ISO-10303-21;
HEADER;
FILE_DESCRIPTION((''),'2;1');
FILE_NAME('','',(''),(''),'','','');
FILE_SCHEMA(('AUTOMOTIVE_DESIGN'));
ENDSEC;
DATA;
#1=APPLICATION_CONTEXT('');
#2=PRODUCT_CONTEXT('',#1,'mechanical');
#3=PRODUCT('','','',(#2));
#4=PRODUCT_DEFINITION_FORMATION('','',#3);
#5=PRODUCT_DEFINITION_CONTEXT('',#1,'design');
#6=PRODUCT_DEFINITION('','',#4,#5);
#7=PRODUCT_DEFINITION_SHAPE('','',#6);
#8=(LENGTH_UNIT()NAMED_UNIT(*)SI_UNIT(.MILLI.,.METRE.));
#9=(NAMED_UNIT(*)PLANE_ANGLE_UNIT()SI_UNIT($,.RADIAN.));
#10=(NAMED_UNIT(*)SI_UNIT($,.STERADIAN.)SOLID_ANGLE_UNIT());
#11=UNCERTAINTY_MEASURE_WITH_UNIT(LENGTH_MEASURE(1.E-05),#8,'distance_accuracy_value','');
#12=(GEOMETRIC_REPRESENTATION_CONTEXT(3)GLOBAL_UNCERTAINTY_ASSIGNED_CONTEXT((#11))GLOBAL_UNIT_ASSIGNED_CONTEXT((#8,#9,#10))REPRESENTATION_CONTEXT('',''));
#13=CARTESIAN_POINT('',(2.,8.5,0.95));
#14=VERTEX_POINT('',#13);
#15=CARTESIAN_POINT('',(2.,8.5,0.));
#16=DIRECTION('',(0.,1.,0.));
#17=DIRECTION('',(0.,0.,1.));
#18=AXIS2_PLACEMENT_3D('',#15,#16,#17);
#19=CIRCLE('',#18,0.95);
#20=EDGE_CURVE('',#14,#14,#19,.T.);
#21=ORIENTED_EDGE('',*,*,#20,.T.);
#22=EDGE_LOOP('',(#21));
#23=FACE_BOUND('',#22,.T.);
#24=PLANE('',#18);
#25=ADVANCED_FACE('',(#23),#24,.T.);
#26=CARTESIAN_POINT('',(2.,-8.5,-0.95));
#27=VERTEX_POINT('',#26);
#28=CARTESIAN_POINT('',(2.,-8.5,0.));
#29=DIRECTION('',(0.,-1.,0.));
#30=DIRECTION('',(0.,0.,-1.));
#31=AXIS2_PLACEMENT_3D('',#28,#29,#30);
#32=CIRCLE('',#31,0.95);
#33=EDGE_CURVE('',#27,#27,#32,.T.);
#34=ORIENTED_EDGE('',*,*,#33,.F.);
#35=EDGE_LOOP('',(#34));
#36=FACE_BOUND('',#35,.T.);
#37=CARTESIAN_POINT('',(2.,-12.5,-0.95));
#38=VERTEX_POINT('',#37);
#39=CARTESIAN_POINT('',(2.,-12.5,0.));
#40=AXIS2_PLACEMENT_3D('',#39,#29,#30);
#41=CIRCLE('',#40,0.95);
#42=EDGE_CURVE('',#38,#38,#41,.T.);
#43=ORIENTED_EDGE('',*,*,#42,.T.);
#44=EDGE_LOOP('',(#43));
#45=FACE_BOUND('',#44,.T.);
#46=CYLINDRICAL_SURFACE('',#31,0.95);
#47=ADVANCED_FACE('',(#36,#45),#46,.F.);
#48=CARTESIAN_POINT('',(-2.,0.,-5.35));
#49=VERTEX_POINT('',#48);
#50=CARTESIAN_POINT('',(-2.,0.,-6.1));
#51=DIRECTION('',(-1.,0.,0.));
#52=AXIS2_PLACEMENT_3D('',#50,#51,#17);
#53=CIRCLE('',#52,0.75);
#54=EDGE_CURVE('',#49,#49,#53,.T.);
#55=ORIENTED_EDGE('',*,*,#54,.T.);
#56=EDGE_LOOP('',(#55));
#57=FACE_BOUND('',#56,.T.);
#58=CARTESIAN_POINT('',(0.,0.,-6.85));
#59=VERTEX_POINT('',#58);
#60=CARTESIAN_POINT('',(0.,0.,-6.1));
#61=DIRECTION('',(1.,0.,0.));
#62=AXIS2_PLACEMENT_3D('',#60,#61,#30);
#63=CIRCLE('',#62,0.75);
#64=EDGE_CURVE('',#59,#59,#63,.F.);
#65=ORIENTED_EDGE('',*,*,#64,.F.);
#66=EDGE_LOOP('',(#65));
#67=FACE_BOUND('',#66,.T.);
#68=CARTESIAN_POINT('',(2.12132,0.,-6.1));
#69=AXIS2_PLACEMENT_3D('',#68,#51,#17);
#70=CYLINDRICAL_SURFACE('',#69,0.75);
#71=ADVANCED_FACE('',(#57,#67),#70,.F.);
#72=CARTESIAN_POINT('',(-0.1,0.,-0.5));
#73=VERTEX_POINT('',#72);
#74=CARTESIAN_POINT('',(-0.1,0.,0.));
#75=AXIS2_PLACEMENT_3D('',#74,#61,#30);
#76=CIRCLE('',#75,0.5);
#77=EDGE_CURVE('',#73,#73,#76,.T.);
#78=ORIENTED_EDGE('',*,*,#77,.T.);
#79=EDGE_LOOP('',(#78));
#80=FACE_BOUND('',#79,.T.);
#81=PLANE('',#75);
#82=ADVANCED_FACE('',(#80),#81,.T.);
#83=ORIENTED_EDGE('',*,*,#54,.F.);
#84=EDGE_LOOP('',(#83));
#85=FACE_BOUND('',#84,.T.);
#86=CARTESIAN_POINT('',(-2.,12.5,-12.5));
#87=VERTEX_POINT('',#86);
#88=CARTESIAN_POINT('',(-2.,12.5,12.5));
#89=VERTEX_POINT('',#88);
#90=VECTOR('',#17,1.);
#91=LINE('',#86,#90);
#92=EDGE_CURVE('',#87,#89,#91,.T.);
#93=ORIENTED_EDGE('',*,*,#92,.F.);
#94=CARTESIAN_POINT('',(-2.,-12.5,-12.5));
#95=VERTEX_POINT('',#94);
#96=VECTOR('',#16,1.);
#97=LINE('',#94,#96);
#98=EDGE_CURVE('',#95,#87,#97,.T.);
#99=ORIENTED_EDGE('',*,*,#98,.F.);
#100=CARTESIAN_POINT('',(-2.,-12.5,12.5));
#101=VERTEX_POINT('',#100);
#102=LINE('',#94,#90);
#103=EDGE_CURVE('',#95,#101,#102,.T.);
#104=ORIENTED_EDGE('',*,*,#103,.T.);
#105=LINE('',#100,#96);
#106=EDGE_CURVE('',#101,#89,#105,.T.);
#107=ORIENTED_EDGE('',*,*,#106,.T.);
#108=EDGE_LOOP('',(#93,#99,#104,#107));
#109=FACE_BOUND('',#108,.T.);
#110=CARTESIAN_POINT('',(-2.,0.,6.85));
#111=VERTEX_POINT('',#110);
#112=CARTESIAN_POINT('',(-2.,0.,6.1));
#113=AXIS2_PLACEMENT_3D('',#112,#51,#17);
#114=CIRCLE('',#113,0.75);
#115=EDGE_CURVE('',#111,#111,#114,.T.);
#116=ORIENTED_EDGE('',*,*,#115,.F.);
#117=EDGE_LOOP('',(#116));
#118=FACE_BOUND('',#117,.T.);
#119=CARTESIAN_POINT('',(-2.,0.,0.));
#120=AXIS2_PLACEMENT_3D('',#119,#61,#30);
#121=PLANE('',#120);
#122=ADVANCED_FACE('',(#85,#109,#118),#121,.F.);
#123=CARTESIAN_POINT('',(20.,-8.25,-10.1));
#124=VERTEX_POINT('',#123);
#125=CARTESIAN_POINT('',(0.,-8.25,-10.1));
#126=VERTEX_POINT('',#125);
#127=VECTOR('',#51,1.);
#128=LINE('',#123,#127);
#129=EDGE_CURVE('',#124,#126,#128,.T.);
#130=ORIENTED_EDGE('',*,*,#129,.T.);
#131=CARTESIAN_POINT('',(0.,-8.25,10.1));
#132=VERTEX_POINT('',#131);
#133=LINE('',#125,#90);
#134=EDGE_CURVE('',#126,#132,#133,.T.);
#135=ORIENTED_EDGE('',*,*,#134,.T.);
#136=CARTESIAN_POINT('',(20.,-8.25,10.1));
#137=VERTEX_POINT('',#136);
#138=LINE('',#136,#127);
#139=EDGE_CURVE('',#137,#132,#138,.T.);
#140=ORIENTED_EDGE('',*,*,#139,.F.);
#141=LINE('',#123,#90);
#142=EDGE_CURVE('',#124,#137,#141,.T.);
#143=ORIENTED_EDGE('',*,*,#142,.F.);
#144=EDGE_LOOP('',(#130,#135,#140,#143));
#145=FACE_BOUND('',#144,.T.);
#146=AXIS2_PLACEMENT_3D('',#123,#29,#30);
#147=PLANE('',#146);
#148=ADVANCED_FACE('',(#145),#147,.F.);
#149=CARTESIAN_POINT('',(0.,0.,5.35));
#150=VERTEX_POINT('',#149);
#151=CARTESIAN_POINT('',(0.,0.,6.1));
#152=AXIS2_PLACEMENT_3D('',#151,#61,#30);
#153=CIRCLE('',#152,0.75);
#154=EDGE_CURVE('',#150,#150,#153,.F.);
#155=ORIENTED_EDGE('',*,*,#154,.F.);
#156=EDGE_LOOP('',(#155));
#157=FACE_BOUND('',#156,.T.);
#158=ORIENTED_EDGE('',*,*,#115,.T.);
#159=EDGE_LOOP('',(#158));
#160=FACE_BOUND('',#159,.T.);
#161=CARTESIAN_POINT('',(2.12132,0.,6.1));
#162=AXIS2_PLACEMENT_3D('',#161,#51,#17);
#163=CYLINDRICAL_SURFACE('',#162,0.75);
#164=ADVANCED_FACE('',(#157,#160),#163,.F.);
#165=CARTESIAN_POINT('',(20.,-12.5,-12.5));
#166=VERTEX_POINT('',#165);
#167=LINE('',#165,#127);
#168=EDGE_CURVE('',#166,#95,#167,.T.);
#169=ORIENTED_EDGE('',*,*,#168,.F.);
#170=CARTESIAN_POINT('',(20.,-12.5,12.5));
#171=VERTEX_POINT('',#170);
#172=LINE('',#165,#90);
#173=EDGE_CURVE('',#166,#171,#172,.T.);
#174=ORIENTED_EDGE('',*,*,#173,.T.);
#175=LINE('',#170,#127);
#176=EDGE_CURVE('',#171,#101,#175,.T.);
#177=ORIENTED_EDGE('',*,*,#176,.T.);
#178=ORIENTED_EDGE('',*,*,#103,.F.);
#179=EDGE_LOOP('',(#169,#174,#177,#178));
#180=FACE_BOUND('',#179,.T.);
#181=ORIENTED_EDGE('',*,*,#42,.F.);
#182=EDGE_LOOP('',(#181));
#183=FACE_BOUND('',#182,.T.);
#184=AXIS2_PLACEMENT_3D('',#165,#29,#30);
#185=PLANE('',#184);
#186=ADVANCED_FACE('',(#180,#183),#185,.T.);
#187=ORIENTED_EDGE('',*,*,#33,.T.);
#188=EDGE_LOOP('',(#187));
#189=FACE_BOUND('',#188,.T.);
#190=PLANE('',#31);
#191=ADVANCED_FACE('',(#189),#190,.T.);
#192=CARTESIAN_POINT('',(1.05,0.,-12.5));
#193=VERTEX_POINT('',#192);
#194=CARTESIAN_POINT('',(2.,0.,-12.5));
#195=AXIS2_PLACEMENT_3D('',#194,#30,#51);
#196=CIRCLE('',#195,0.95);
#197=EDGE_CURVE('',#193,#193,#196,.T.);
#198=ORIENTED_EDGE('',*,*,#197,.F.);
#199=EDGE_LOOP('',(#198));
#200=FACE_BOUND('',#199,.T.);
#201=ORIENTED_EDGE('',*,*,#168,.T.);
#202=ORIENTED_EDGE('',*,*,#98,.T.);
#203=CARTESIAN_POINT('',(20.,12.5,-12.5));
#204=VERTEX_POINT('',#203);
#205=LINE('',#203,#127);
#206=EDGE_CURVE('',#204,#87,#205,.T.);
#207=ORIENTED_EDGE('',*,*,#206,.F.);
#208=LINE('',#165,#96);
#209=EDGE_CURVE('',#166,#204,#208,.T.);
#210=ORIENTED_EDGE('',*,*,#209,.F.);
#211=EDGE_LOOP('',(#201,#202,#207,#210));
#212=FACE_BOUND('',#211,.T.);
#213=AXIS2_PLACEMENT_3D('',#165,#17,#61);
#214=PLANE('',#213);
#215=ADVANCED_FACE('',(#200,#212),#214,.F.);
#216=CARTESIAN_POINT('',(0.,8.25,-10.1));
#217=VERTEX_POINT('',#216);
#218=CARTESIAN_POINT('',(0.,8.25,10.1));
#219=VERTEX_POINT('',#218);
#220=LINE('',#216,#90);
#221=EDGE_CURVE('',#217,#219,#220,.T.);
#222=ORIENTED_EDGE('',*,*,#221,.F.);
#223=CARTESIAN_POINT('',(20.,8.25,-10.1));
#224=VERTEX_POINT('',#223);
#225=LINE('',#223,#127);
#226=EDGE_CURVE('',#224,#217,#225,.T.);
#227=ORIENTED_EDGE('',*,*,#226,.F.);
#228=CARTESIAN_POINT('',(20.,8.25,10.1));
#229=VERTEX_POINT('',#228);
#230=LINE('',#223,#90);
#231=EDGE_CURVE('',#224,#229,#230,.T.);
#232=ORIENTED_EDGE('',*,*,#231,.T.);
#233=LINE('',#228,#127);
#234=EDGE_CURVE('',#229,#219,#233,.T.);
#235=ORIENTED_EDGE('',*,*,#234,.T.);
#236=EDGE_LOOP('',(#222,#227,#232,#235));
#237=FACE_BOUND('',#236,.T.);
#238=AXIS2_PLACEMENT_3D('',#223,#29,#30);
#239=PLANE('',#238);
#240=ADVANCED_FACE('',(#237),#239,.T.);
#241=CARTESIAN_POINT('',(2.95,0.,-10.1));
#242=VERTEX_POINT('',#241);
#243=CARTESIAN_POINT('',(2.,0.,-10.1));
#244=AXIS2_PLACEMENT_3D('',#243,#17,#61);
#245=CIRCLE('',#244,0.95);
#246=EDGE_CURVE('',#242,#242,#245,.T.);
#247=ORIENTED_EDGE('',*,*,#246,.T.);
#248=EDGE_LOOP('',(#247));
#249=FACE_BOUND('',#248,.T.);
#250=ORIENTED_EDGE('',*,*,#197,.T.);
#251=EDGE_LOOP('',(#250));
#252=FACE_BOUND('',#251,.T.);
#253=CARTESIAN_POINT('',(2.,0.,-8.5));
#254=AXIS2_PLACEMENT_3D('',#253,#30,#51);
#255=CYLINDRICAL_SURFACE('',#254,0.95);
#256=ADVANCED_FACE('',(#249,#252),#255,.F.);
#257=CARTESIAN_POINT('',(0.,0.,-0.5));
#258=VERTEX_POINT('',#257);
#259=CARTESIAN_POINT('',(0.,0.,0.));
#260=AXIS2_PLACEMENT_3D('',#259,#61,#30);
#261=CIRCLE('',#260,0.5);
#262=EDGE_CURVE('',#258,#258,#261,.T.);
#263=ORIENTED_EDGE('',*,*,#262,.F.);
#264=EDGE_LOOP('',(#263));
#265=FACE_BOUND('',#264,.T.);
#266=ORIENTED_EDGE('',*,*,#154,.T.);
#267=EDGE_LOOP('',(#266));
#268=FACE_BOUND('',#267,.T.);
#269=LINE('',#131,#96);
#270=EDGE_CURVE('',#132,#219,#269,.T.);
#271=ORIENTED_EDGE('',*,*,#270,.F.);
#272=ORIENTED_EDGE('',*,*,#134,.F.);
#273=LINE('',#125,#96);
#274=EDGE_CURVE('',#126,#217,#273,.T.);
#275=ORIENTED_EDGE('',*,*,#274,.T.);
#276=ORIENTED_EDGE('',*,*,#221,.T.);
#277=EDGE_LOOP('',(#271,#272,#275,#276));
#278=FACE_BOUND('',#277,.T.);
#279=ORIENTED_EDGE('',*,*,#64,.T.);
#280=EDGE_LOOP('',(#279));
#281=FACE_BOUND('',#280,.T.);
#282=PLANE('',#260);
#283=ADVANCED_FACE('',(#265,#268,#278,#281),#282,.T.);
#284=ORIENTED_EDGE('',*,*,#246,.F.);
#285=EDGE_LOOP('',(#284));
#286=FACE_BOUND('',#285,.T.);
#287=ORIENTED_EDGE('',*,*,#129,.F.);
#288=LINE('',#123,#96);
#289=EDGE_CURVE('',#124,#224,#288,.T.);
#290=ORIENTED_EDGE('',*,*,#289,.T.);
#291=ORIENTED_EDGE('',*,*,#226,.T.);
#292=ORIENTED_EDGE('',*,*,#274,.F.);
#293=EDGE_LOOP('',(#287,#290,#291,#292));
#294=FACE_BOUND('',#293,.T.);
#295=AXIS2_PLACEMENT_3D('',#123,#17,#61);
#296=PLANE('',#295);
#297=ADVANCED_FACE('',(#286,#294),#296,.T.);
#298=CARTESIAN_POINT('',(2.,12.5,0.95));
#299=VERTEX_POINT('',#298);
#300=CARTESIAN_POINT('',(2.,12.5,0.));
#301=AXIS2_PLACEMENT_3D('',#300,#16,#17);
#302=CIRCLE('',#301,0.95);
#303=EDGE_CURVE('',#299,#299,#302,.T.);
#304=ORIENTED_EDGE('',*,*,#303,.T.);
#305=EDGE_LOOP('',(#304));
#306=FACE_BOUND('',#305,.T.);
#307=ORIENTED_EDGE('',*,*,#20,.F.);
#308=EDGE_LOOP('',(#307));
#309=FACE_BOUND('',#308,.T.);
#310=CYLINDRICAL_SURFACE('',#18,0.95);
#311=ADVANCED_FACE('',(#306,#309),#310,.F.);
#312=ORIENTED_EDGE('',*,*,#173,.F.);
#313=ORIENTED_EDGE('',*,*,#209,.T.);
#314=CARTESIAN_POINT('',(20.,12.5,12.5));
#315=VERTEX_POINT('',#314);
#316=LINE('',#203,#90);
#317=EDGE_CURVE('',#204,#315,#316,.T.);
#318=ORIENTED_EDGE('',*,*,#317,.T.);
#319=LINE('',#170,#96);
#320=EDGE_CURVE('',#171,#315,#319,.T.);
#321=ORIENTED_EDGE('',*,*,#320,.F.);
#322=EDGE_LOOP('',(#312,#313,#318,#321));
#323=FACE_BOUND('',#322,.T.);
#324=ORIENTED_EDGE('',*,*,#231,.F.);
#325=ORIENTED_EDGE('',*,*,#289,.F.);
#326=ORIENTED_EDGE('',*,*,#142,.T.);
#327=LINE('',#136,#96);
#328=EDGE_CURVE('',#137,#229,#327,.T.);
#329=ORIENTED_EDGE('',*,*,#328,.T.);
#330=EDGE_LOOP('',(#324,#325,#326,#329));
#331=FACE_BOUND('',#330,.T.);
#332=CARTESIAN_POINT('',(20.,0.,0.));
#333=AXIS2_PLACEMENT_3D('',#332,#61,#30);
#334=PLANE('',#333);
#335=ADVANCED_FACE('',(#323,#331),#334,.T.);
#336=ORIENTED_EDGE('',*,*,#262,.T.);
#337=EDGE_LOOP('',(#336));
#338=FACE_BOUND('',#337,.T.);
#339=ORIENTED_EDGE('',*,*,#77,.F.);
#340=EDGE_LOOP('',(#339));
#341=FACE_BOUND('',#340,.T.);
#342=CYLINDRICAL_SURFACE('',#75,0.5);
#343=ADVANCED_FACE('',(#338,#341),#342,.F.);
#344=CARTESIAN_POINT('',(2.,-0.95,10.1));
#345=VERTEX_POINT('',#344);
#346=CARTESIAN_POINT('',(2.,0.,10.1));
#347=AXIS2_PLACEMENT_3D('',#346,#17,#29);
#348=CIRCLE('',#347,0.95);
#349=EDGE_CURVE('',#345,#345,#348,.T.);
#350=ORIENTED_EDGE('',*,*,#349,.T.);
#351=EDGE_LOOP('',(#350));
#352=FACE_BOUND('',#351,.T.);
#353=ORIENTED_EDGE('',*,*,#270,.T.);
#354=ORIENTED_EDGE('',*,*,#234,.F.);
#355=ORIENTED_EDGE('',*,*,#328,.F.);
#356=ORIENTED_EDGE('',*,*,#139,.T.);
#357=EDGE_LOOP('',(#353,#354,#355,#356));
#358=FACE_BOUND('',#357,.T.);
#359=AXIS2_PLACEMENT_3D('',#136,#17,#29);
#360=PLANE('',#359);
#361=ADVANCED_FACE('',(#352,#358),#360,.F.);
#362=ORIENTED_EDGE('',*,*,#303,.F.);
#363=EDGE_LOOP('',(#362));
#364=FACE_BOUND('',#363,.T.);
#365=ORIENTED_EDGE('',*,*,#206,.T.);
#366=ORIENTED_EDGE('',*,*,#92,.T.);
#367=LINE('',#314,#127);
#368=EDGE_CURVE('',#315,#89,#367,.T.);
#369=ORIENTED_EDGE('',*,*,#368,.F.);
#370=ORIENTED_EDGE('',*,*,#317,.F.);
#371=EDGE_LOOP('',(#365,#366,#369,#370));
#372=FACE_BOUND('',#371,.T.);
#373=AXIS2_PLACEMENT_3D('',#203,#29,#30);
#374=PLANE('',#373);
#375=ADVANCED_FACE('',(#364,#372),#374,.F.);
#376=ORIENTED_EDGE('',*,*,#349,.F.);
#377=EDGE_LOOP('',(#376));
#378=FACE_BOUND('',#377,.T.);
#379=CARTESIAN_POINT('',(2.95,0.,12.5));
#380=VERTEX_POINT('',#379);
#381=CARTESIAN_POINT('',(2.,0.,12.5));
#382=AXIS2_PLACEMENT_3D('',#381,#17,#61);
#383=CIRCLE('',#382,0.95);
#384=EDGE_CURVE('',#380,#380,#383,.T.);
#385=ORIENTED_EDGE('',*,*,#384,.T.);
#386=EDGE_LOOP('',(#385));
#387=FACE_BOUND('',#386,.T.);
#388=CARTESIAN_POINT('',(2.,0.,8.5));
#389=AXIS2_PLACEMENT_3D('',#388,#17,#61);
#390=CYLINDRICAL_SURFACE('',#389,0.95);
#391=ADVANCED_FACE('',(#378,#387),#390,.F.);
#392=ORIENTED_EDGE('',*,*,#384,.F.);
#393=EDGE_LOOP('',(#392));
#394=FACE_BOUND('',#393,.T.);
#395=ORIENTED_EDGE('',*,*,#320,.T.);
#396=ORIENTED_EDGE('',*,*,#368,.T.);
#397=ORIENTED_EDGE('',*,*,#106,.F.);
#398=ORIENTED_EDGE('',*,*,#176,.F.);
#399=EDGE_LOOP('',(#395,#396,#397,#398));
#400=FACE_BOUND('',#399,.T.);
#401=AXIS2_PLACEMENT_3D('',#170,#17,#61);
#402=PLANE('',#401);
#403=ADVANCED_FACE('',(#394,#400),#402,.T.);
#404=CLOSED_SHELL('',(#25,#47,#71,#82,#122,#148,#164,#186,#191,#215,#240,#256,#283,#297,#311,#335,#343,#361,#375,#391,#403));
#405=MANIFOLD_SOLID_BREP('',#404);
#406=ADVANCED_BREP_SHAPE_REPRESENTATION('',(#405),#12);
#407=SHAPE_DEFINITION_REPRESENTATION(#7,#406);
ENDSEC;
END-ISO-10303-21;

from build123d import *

# Parameters (mm, degrees)
SKETCH_1_W          = 25
SKETCH_1_H          = 25
SKETCH_1_W_2        = 20.2
SKETCH_1_H_2        = 16.5
EXTRUDE_1_DEPTH     = 20
SKETCH_1_3_W        = 25
SKETCH_1_3_H        = 25
EXTRUDE_3_DEPTH     = 2
SKETCH_1_5_R        = 0.5
CUT_EXTRUDE_1_DEPTH = 0.1
SKETCH_2_R          = 0.95
CUT_EXTRUDE_2_DEPTH = 4
SKETCH_3_R          = 0.95
CUT_EXTRUDE_3_DEPTH = 4
CUT_EXTRUDE_START   = -4
SKETCH_4_R          = 0.95
CUT_EXTRUDE_4_DEPTH = 4
SKETCH_5_R          = 0.95
CUT_EXTRUDE_5_DEPTH = 4
SKETCH_6_R          = 0.75
CUT_EXTRUDE_6_DEPTH = 2


with BuildPart() as part:
    # 草图1 → 凸台-拉伸1 (new body)
    with BuildSketch(Plane(origin=(0, 0, 0), x_dir=(0, 0, -1), z_dir=(1, 0, 0))):
        Rectangle(SKETCH_1_W, SKETCH_1_H)
        Rectangle(SKETCH_1_W_2, SKETCH_1_H_2, mode=Mode.SUBTRACT)
    extrude(amount=EXTRUDE_1_DEPTH)

    # 草图1<3> → 凸台-拉伸3 (add)
    with BuildSketch(Plane(origin=(0, 0, 0), x_dir=(0, 0, -1), z_dir=(1, 0, 0))):
        Rectangle(SKETCH_1_3_W, SKETCH_1_3_H)
    extrude(amount=-EXTRUDE_3_DEPTH)

    # 草图1<5> → 切除-拉伸1 (cut)
    with BuildSketch(Plane(origin=(0, 0, 0), x_dir=(0, 0, -1), z_dir=(1, 0, 0))):
        Circle(SKETCH_1_5_R)
    extrude(amount=-CUT_EXTRUDE_1_DEPTH, mode=Mode.SUBTRACT)

    # 草图2 → 切除-拉伸2 (cut)
    with BuildSketch(Plane.XZ.offset(12.5)):
        with Locations(Location((2, 0, 0), (0, 0, 270))):
            Circle(SKETCH_2_R)
    extrude(amount=-CUT_EXTRUDE_2_DEPTH, mode=Mode.SUBTRACT)

    # 草图3 → 切除-拉伸3 (cut)
    with BuildSketch(Plane(origin=(0, 0, -12.5), x_dir=(-1, 0, 0), z_dir=(0, 0, -1))):
        with Locations((-2, 0)):
            Circle(SKETCH_3_R)
    extrude(amount=-CUT_EXTRUDE_3_DEPTH, mode=Mode.SUBTRACT)

    # 草图4 → 切除-拉伸4 (cut)
    with BuildSketch(Plane(origin=(0, 12.5, 0), x_dir=(1, 0, 0), z_dir=(0, 1, 0)).offset(CUT_EXTRUDE_START)):
        with Locations(Location((2, 0, 0), (0, 0, 90))):
            Circle(SKETCH_4_R)
    extrude(amount=CUT_EXTRUDE_4_DEPTH, mode=Mode.SUBTRACT)

    # 草图5 → 切除-拉伸5 (cut)
    with BuildSketch(Plane.XY.offset(12.5).offset(CUT_EXTRUDE_START)):
        with Locations(Location((2, 0, 0), (0, 0, 180))):
            Circle(SKETCH_5_R)
    extrude(amount=CUT_EXTRUDE_5_DEPTH, mode=Mode.SUBTRACT)

    # 草图6 → 切除-拉伸6 (cut)
    with BuildSketch(Plane.ZY.offset(2)):
        with Locations((-6.1, 0)):
            Circle(SKETCH_6_R)
        with Locations((6.1, 0)):
            Circle(SKETCH_6_R)
    extrude(amount=-CUT_EXTRUDE_6_DEPTH, mode=Mode.SUBTRACT)


solid = part.part
